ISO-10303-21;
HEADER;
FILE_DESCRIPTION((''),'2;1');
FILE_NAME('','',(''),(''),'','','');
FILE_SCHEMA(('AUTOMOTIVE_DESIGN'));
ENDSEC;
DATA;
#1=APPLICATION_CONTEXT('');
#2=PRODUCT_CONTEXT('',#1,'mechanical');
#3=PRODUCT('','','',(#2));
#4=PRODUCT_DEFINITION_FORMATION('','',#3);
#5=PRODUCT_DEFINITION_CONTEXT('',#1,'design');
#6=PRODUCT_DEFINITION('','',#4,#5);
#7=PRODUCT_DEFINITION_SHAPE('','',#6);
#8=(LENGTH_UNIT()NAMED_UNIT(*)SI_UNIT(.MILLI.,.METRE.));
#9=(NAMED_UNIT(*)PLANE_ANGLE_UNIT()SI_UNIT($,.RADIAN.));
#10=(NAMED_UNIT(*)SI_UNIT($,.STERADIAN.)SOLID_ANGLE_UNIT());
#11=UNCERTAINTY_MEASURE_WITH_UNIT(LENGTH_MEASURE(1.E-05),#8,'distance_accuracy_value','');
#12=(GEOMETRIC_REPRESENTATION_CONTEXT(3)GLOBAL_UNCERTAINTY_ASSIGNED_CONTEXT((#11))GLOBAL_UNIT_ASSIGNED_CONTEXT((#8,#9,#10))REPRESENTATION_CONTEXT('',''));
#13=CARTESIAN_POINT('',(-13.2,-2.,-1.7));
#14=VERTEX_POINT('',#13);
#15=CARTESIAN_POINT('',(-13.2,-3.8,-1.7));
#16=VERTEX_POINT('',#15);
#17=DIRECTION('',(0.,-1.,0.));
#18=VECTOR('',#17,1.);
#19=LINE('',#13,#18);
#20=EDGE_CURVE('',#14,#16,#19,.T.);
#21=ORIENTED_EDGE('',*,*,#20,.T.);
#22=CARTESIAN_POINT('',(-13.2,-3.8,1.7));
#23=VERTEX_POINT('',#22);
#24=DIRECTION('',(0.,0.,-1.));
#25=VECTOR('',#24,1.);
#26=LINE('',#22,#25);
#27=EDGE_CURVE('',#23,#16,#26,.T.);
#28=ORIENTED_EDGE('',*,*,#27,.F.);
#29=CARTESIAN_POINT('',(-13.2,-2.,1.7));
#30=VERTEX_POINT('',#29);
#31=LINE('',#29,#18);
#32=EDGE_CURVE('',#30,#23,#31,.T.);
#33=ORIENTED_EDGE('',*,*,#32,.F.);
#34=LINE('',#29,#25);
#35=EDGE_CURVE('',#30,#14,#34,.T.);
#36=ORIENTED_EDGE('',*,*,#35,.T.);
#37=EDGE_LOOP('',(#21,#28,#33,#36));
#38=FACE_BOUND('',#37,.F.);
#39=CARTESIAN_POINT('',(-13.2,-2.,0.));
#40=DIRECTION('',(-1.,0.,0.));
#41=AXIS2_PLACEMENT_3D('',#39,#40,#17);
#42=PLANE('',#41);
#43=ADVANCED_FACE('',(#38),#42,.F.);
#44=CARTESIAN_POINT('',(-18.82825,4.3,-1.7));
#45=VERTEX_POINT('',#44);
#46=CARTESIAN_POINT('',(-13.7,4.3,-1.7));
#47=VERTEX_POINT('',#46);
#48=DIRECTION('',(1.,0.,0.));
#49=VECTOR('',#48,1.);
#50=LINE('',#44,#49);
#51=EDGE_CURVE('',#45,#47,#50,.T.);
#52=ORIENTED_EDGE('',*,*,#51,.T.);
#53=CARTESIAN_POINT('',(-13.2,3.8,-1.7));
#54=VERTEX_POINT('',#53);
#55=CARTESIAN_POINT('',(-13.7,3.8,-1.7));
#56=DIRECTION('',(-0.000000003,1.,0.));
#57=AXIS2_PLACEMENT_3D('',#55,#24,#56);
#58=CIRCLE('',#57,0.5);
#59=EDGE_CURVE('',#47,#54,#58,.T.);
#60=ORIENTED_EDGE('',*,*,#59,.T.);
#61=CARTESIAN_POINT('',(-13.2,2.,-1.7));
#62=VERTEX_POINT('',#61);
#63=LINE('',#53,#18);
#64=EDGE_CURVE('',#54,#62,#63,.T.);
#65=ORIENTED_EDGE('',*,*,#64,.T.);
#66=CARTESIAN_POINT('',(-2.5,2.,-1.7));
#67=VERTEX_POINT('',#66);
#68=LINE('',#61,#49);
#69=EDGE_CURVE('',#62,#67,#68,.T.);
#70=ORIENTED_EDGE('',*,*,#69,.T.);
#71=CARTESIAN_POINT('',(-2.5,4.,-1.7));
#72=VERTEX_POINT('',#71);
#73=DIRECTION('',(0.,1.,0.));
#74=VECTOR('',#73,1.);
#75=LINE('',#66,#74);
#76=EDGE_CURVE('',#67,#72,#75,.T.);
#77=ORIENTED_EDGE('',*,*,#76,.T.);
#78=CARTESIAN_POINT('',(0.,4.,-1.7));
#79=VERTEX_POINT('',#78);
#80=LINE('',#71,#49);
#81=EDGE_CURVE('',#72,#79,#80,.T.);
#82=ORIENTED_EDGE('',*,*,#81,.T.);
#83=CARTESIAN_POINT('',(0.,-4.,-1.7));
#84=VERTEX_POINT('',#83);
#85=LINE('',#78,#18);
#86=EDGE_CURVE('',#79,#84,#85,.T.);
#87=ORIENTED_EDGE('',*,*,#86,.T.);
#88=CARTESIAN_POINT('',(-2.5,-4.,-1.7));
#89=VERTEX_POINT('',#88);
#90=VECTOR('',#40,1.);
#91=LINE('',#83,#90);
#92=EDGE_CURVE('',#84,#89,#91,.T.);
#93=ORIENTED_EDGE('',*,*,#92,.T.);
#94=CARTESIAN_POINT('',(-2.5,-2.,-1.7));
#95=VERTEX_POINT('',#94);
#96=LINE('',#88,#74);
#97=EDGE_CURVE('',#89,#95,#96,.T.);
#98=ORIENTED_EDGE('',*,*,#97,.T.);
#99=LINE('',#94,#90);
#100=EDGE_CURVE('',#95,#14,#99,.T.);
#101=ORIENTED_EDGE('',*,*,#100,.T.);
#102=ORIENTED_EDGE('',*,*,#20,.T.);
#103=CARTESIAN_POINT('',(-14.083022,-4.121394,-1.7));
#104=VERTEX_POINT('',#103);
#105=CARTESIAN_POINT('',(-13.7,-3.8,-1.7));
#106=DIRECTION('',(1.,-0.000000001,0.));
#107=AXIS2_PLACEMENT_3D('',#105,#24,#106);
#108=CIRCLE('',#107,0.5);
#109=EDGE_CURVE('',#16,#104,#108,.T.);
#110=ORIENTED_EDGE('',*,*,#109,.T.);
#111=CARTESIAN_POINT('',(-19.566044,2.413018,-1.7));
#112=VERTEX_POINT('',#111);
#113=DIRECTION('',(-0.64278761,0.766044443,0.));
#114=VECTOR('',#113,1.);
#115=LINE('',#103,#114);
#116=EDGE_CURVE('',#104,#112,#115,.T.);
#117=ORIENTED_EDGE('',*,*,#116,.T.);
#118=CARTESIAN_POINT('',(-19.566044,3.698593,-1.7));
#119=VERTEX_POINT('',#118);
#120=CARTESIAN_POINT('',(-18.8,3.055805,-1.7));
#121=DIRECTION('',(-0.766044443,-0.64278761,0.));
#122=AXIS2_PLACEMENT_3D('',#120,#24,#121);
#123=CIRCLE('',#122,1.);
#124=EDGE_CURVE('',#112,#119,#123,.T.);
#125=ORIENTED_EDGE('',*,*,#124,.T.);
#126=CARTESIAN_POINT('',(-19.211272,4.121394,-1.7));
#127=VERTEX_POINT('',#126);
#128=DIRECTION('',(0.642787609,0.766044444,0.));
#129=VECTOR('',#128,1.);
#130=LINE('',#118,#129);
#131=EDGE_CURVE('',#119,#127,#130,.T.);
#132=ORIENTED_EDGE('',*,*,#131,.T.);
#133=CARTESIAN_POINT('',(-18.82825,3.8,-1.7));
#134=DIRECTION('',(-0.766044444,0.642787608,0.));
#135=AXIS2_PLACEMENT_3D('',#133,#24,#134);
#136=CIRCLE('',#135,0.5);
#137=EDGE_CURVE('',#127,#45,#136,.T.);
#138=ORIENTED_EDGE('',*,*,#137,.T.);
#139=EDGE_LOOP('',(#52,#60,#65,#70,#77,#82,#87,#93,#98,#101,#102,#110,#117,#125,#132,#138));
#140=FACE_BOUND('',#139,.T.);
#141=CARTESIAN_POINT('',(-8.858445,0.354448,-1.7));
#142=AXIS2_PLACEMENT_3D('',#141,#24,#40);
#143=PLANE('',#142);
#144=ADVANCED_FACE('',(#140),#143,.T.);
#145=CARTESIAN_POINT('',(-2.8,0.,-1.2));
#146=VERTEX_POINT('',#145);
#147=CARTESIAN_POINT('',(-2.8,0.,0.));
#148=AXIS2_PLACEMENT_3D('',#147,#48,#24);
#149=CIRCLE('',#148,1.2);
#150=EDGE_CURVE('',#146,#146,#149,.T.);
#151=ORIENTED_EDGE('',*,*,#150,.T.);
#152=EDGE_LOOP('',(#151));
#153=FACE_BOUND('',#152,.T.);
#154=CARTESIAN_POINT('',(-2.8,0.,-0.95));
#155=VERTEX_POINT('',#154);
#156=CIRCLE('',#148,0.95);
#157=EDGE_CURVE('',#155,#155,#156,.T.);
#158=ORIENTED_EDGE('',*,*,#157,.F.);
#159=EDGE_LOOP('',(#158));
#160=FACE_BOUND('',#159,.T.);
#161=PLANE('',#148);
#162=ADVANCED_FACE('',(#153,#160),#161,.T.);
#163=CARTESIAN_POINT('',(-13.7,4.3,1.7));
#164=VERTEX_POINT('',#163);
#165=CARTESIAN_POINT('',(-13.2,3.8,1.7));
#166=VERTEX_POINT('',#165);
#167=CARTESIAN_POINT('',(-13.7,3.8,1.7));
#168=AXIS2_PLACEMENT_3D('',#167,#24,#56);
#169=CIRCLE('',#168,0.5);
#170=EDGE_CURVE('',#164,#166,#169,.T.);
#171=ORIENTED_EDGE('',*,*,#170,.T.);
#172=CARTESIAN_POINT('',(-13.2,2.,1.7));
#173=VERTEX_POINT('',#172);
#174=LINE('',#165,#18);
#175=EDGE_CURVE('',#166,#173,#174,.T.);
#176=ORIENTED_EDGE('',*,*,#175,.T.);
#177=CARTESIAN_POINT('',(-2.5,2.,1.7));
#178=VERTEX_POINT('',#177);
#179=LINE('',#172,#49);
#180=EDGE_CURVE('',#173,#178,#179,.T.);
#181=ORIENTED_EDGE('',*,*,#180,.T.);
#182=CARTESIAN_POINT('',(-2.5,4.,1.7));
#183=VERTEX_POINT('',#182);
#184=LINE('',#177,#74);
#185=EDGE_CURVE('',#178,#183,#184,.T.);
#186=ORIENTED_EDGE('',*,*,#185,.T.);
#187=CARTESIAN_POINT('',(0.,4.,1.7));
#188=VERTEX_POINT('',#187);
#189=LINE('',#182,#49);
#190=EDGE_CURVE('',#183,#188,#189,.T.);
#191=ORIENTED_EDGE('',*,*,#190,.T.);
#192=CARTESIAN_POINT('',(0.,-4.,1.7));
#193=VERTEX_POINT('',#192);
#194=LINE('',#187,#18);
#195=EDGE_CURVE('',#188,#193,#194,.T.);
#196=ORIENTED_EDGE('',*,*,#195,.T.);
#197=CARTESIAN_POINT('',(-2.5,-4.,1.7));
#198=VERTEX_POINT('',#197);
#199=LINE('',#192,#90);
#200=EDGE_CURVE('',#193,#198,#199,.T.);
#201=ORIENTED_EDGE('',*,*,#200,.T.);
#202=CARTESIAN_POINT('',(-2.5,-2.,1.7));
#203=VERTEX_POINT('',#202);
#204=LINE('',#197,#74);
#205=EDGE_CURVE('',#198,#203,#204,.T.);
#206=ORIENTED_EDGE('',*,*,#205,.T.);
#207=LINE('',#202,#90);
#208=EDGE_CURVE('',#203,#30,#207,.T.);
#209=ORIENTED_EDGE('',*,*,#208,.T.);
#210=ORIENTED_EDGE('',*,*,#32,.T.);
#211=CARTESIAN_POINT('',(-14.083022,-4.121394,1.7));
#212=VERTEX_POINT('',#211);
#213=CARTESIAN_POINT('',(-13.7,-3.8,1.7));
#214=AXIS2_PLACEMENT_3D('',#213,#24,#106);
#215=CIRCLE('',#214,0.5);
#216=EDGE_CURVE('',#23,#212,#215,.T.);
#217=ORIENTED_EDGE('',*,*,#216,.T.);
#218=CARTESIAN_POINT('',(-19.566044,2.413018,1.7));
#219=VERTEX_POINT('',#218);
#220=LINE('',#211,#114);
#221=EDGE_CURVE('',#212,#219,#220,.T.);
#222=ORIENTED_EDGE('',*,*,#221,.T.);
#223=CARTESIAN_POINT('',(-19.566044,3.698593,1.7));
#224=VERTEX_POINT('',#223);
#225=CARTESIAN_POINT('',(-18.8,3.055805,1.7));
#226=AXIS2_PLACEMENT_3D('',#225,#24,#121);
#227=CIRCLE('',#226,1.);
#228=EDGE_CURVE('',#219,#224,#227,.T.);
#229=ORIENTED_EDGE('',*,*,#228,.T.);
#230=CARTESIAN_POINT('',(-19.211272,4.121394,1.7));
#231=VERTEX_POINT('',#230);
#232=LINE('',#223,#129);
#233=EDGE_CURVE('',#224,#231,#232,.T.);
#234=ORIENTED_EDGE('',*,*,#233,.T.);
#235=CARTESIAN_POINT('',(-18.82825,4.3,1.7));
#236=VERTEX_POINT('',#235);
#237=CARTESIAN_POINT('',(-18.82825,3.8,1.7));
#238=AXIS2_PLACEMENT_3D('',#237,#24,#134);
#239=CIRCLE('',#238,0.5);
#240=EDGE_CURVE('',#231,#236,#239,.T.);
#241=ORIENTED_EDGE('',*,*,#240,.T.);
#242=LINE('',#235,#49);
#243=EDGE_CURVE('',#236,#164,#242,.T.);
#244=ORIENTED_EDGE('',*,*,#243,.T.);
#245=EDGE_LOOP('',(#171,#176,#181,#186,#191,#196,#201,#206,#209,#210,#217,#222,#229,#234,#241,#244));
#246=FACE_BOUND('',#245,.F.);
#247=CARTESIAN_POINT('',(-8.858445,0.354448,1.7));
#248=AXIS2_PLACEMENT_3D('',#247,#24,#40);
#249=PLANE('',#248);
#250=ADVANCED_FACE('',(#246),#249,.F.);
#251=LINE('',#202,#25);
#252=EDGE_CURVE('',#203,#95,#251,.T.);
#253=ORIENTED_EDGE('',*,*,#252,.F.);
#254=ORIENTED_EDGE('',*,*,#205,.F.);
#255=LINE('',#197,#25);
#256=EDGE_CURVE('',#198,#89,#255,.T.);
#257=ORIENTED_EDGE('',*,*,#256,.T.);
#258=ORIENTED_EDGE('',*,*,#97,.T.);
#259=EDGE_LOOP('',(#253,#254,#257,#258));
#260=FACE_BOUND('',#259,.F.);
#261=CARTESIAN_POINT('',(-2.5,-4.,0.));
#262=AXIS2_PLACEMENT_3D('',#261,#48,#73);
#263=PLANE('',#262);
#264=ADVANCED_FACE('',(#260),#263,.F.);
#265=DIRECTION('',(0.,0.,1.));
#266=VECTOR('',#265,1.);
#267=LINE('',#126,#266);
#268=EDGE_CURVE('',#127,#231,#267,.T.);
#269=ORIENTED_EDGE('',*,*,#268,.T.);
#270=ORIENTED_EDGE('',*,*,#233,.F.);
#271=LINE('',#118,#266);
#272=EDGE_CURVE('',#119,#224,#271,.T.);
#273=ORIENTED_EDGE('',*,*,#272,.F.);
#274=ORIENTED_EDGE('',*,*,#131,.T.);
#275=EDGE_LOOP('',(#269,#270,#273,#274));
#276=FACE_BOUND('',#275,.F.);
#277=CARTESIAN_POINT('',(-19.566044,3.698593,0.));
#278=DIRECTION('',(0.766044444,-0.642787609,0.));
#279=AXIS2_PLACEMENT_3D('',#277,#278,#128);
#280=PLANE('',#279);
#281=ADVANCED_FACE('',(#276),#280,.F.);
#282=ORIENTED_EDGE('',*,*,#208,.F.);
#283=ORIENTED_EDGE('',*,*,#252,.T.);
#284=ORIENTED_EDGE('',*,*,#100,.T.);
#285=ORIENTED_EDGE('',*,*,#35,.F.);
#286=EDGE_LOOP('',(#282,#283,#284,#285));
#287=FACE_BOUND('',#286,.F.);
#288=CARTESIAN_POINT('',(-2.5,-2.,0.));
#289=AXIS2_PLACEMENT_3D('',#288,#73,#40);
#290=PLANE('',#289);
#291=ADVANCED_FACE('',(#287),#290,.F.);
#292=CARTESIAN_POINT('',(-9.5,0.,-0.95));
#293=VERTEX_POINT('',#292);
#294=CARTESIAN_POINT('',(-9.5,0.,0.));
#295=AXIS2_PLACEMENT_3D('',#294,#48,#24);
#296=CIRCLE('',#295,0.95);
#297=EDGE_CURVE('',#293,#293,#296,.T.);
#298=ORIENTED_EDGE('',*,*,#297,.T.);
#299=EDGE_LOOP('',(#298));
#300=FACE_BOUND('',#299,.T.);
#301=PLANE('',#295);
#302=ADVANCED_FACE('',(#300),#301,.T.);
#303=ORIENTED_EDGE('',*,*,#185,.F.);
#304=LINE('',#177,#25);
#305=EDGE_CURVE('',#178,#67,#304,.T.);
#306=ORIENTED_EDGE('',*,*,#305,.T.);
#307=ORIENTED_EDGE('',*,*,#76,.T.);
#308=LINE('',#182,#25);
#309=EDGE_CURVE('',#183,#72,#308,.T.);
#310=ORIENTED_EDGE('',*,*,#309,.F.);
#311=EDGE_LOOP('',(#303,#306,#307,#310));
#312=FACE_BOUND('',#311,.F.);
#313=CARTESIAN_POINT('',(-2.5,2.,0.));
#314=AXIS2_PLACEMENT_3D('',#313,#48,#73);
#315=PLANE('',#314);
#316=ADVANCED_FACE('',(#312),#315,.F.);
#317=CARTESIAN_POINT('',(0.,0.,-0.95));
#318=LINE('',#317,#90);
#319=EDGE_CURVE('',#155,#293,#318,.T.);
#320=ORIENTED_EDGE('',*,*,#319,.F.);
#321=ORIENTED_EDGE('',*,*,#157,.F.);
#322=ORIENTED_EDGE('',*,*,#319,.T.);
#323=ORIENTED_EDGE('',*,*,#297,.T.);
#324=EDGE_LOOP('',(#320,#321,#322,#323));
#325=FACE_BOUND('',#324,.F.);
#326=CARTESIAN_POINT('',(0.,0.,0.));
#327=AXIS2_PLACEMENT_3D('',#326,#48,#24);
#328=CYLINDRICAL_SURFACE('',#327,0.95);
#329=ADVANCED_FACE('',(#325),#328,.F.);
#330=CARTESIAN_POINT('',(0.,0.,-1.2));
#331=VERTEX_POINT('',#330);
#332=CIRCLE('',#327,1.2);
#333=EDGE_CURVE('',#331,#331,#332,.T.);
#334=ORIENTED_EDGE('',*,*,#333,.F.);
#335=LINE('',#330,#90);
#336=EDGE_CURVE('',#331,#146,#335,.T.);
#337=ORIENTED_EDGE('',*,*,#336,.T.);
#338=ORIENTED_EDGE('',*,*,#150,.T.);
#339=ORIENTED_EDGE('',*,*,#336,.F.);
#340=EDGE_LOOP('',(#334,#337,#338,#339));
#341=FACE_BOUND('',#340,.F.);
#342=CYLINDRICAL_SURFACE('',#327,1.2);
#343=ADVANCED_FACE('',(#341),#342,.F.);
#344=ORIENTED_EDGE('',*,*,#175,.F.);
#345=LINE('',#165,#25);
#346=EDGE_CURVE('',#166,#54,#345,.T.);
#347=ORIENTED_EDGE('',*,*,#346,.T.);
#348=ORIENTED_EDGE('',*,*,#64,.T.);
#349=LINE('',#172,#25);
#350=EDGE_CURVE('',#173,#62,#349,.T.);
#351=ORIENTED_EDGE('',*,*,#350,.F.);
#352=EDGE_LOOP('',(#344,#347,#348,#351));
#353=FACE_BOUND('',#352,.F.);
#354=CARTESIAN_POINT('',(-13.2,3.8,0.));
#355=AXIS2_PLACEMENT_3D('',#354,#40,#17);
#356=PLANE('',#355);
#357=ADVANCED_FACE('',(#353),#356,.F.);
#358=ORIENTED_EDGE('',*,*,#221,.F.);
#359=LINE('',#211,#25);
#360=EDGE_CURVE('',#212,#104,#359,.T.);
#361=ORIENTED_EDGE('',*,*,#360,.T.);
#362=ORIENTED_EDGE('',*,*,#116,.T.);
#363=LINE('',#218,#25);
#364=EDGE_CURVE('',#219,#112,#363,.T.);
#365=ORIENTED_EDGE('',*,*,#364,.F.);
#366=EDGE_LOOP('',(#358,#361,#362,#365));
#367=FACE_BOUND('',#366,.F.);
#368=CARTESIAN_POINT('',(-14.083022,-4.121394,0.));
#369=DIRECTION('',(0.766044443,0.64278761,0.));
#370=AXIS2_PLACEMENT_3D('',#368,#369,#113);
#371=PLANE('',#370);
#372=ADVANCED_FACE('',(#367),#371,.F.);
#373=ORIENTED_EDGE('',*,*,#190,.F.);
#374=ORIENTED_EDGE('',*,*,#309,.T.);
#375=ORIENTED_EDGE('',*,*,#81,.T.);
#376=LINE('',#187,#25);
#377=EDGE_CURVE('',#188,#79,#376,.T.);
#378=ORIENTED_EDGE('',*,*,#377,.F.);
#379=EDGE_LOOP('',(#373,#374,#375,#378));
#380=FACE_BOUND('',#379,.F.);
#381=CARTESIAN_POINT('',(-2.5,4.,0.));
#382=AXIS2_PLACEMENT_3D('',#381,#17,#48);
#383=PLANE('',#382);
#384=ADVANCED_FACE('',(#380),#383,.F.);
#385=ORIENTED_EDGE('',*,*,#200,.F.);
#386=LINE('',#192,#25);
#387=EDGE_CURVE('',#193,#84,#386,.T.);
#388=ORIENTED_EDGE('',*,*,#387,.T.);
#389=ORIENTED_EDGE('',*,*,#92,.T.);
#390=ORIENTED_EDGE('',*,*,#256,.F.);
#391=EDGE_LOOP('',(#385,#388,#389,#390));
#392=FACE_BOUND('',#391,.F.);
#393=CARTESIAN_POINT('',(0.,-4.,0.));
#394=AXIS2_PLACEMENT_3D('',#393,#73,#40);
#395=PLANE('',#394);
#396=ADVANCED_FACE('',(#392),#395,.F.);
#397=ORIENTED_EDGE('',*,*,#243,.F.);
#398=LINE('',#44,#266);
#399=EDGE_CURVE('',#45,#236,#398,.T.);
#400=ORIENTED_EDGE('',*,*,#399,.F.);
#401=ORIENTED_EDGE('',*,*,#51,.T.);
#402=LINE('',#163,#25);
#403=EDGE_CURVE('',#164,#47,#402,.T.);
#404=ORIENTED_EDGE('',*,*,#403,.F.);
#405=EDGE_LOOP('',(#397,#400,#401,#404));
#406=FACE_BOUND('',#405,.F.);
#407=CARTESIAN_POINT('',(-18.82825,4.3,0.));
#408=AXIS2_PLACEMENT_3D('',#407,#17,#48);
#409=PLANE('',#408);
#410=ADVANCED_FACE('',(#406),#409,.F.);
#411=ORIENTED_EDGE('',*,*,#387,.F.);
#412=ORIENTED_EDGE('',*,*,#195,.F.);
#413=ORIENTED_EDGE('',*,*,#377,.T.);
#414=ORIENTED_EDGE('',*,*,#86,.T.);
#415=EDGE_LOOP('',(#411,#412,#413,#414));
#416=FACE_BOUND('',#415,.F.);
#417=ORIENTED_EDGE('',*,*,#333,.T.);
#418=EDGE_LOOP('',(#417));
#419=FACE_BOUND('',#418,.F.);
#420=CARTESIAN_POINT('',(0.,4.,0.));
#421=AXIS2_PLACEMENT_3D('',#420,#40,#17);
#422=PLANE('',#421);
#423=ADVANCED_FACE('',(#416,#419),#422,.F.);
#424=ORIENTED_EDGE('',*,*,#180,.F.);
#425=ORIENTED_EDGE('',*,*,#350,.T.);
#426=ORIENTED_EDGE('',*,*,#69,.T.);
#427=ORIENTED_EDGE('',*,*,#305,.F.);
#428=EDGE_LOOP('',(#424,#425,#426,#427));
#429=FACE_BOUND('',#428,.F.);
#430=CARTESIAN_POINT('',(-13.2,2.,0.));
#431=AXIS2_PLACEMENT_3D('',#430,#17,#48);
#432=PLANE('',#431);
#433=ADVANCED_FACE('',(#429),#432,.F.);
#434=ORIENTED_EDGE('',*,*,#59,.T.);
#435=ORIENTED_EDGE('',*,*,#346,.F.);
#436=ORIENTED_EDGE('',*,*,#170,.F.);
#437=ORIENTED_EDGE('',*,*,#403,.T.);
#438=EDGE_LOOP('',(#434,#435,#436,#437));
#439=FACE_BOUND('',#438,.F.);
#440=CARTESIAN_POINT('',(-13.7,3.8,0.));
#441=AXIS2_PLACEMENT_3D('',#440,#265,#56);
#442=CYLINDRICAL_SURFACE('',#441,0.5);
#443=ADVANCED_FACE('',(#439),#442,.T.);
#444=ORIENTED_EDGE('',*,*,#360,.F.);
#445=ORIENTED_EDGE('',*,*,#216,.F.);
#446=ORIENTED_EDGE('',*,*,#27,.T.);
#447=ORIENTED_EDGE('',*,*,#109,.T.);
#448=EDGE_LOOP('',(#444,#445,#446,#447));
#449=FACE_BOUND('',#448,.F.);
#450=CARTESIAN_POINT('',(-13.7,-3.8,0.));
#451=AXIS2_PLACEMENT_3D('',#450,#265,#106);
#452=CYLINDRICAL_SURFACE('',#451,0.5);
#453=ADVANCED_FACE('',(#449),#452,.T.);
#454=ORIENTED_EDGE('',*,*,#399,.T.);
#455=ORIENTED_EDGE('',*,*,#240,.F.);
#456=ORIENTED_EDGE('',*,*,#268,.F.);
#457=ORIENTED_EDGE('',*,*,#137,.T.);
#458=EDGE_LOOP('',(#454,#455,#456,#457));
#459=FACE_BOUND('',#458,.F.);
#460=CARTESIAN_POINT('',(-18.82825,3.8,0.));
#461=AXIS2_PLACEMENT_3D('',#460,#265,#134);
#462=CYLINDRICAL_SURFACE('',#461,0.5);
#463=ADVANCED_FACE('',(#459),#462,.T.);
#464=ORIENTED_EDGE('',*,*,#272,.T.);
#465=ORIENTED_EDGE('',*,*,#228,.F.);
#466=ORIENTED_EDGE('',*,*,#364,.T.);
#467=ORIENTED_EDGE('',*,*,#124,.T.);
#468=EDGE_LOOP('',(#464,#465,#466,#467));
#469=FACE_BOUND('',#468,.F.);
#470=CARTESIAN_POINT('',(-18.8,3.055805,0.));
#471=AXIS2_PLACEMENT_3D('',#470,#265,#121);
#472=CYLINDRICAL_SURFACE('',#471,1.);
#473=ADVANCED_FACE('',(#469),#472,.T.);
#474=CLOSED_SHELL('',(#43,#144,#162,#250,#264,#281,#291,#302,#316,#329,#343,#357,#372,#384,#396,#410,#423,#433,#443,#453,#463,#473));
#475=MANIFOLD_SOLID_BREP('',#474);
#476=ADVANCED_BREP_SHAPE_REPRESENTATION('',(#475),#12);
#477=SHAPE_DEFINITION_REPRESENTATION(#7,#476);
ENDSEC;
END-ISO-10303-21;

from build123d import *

# Parameters (mm, degrees)
BOSS_EXTRUDE3_DEPTH = 1.7
SKETCH3_R           = 0.95
CUT_EXTRUDE1_DEPTH  = 9.5
SKETCH4_R           = 1.2
CUT_EXTRUDE2_DEPTH  = 2.8


with BuildPart() as part:
    # Sketch2 → Boss-Extrude3 (new body, symmetric)
    with BuildSketch(Plane.XY):
        with BuildLine():
            Line((-18.828250092, 4.3), (-13.7, 4.3))
            ThreePointArc((-13.7, 4.3), (-13.346446609, 4.153553391), (-13.2, 3.8))
            Line((-13.2, 3.8), (-13.2, 2))
            Line((-13.2, 2), (-2.5, 2))
            Line((-2.5, 2), (-2.5, 4))
            Line((-2.5, 4), (0, 4))
            Line((0, 4), (0, -4))
            Line((0, -4), (-2.5, -4))
            Line((-2.5, -4), (-2.5, -2))
            Line((-2.5, -2), (-13.2, -2))
            Line((-13.2, -2), (-13.2, -3.8))
            ThreePointArc((-13.2, -3.8), (-13.528989928, -4.26984631), (-14.083022222, -4.121393805))
            Line((-14.083022222, -4.121393805), (-19.566044443, 2.413017626))
            ThreePointArc((-19.566044443, 2.413017626), (-19.8, 3.055805236), (-19.566044443, 3.698592845))
            Line((-19.566044443, 3.698592845), (-19.211272314, 4.121393805))
            ThreePointArc((-19.211272314, 4.121393805), (-19.039559223, 4.253153894), (-18.828250092, 4.3))
        make_face()
    extrude(amount=BOSS_EXTRUDE3_DEPTH, both=True)

    # Sketch3 → Cut-Extrude1 (cut)
    with BuildSketch(Plane(origin=(0, 0, 0), x_dir=(0, 0, -1), z_dir=(1, 0, 0))):
        Circle(SKETCH3_R)
    extrude(amount=-CUT_EXTRUDE1_DEPTH, mode=Mode.SUBTRACT)

    # Sketch4 → Cut-Extrude2 (cut)
    with BuildSketch(Plane(origin=(0, 0, 0), x_dir=(0, 0, -1), z_dir=(1, 0, 0))):
        Circle(SKETCH4_R)
    extrude(amount=-CUT_EXTRUDE2_DEPTH, mode=Mode.SUBTRACT)


solid = part.part
